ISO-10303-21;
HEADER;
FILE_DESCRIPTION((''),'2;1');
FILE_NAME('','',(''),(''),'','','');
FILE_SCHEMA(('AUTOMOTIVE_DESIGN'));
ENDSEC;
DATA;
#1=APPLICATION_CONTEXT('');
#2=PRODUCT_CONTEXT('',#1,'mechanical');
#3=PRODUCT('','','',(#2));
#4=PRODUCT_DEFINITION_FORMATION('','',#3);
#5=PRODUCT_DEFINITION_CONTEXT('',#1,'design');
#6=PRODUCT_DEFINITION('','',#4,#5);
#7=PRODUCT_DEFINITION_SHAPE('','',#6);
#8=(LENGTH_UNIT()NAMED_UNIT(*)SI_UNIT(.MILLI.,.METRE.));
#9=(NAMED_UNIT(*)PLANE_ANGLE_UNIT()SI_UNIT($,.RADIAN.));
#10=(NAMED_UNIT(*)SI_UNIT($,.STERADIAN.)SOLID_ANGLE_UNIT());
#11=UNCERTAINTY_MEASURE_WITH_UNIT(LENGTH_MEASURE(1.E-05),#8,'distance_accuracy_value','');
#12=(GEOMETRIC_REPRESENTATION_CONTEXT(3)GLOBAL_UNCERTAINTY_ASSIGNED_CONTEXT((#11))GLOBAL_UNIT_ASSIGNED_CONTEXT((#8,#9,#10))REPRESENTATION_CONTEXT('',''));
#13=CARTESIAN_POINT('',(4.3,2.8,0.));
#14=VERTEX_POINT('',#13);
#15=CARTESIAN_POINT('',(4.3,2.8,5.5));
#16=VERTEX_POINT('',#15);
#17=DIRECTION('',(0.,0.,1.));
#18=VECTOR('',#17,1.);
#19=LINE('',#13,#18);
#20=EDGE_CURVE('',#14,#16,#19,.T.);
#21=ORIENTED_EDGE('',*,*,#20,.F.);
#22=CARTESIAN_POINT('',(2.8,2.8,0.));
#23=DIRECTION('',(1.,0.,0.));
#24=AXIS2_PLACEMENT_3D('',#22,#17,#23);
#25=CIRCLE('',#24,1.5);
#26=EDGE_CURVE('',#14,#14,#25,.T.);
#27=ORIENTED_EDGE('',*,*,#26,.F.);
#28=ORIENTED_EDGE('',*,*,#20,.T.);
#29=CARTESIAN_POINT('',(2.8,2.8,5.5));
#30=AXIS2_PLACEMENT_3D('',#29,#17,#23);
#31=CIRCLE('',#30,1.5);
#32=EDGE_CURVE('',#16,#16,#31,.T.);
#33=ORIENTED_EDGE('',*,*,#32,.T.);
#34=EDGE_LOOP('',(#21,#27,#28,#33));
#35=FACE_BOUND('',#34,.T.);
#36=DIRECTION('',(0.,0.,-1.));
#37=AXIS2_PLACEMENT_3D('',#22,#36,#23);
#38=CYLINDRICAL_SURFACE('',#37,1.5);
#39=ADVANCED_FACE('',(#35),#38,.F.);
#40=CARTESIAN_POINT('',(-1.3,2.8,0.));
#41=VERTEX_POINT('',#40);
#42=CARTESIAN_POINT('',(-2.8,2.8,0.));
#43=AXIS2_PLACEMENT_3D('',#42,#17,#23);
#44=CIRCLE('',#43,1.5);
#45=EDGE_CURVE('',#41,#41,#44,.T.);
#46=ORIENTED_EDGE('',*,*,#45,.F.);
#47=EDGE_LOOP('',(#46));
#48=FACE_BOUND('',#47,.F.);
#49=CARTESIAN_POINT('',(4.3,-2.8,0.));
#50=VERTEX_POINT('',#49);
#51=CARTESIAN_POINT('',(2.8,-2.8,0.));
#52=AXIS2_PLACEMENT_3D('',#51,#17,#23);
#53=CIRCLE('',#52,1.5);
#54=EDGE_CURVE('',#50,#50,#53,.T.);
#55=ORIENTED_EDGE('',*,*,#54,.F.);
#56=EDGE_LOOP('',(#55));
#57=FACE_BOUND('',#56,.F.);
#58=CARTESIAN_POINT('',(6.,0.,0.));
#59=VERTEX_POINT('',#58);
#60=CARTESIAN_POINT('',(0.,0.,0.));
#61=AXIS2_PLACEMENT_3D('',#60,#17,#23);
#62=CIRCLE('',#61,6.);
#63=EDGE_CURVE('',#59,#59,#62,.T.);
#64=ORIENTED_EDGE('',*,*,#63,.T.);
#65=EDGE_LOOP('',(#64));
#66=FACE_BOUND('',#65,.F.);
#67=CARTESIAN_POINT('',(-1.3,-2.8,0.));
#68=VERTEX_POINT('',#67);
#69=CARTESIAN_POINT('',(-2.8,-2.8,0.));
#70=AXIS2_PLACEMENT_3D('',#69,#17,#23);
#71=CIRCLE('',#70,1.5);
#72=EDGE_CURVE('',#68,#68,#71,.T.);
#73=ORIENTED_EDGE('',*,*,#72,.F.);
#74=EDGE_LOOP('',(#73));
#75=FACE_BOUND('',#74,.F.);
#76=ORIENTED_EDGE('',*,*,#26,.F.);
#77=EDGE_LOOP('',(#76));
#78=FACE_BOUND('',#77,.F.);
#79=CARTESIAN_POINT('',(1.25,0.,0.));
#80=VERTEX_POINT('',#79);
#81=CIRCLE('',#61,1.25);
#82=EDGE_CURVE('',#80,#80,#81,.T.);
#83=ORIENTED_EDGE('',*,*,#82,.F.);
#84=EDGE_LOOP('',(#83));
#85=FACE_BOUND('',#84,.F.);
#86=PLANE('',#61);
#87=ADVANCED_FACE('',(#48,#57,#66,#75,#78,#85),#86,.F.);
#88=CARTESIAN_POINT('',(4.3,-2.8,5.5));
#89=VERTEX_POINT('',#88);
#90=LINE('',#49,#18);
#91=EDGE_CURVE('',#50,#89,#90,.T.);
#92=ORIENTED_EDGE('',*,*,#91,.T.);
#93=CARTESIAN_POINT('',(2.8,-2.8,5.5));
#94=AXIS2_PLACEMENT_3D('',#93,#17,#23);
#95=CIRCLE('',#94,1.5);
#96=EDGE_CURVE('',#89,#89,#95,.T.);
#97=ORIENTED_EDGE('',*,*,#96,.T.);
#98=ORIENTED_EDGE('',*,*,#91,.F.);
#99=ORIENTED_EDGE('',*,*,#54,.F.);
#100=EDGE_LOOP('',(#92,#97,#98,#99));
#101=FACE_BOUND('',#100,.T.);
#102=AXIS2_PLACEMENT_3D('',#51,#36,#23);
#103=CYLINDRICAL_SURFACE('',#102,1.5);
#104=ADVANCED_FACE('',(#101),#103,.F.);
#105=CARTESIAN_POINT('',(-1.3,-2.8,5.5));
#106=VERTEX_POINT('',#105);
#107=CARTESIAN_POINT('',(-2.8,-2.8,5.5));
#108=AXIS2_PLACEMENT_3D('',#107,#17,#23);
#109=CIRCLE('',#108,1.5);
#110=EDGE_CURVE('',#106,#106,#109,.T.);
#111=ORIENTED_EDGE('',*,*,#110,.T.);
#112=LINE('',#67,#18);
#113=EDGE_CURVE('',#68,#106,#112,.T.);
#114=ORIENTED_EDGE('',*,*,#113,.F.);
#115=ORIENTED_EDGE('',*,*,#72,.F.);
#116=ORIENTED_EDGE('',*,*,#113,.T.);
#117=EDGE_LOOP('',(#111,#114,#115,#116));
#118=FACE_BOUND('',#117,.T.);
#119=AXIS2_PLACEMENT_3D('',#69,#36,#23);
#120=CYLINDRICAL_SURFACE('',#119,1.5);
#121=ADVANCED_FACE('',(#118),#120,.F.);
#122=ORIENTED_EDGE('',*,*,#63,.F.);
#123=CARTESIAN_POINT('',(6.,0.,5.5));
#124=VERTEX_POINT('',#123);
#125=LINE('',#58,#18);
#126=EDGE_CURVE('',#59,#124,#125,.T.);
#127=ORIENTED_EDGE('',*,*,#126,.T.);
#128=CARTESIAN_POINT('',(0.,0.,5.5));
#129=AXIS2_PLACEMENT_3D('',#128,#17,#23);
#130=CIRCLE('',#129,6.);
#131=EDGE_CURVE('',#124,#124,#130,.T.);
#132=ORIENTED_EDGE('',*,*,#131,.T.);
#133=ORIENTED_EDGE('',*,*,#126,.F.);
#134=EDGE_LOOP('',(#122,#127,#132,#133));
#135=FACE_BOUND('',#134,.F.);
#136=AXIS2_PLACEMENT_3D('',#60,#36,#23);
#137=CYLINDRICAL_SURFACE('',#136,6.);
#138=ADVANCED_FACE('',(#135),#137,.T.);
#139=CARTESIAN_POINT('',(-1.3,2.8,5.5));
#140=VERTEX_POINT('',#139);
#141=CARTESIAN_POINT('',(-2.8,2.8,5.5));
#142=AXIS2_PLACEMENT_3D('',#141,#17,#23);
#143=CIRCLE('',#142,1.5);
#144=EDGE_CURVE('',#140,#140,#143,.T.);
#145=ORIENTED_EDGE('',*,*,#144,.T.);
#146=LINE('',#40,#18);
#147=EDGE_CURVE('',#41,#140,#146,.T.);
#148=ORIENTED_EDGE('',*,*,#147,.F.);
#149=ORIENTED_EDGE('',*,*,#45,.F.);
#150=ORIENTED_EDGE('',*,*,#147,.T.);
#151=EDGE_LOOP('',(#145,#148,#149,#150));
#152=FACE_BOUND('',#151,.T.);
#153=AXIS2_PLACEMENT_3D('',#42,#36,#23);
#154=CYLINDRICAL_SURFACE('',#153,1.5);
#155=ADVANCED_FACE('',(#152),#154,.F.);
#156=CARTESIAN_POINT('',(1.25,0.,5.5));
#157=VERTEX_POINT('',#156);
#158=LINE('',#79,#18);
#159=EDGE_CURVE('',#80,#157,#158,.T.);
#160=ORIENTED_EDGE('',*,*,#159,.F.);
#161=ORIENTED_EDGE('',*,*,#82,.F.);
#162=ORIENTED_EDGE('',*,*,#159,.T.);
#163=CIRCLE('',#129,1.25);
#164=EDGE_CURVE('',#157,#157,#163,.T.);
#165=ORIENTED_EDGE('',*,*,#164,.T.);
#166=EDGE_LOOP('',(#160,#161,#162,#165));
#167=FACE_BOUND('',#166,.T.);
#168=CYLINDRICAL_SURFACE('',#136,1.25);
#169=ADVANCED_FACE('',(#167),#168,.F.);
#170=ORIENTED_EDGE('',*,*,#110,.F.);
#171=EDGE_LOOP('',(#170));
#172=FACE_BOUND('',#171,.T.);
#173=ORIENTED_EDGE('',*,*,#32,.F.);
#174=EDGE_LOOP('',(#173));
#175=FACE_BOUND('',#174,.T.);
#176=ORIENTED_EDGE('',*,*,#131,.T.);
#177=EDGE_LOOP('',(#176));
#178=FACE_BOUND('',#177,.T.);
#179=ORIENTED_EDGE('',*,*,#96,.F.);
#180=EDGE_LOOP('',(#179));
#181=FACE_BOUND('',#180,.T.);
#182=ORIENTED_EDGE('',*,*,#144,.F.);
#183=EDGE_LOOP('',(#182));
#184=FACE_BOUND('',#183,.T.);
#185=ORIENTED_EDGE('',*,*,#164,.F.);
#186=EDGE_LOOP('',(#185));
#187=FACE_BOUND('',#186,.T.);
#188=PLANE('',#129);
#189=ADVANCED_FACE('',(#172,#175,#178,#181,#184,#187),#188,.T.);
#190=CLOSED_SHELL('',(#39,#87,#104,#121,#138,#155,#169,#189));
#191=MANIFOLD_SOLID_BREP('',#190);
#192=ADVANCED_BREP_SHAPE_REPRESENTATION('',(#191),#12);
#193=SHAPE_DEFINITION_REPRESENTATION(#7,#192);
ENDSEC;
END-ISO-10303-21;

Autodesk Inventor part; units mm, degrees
ref_plane "YZ Plane" through (0, 0, 0) normal (1, 0, 0) x (0, 1, 0)
ref_plane "XZ Plane" through (0, 0, 0) normal (0, 1, 0) x (-1, 0, 0)
ref_plane "XY Plane" through (0, 0, 0) normal (0, 0, 1) x (1, 0, 0)
sketch "スケッチ1" plane through (0, 0, 0) normal (0, 0, 1) x (1, 0, 0)
  line L0 (-2.8, 2.8) -> (2.8, 2.8) construction
  line L1 (2.8, 2.8) -> (2.8, -2.8) construction
  line L2 (2.8, -2.8) -> (-2.8, -2.8) construction
  line L3 (-2.8, -2.8) -> (-2.8, 2.8) construction
  circle A0 centre (-2.8, 2.8) radius 1.5
  circle A1 centre (2.8, 2.8) radius 1.5
  circle A2 centre (2.8, -2.8) radius 1.5
  circle A3 centre (-2.8, -2.8) radius 1.5
  circle A4 centre (0, 0) radius 6
  circle A5 centre (0, 0) radius 1.25
  dimension "d0" = 3
  dimension "d1" = 3
  dimension "d2" = 3
  dimension "d3" = 3
  dimension "d4" = 5.6
  dimension "d5" = 12
  dimension "d6" = 2.5
extrude "押し出し1" add sketch "スケッチ1" along normal blind 5.5
properties part number "脚最終段カム2" material "アルミニウム 2014-T4"
